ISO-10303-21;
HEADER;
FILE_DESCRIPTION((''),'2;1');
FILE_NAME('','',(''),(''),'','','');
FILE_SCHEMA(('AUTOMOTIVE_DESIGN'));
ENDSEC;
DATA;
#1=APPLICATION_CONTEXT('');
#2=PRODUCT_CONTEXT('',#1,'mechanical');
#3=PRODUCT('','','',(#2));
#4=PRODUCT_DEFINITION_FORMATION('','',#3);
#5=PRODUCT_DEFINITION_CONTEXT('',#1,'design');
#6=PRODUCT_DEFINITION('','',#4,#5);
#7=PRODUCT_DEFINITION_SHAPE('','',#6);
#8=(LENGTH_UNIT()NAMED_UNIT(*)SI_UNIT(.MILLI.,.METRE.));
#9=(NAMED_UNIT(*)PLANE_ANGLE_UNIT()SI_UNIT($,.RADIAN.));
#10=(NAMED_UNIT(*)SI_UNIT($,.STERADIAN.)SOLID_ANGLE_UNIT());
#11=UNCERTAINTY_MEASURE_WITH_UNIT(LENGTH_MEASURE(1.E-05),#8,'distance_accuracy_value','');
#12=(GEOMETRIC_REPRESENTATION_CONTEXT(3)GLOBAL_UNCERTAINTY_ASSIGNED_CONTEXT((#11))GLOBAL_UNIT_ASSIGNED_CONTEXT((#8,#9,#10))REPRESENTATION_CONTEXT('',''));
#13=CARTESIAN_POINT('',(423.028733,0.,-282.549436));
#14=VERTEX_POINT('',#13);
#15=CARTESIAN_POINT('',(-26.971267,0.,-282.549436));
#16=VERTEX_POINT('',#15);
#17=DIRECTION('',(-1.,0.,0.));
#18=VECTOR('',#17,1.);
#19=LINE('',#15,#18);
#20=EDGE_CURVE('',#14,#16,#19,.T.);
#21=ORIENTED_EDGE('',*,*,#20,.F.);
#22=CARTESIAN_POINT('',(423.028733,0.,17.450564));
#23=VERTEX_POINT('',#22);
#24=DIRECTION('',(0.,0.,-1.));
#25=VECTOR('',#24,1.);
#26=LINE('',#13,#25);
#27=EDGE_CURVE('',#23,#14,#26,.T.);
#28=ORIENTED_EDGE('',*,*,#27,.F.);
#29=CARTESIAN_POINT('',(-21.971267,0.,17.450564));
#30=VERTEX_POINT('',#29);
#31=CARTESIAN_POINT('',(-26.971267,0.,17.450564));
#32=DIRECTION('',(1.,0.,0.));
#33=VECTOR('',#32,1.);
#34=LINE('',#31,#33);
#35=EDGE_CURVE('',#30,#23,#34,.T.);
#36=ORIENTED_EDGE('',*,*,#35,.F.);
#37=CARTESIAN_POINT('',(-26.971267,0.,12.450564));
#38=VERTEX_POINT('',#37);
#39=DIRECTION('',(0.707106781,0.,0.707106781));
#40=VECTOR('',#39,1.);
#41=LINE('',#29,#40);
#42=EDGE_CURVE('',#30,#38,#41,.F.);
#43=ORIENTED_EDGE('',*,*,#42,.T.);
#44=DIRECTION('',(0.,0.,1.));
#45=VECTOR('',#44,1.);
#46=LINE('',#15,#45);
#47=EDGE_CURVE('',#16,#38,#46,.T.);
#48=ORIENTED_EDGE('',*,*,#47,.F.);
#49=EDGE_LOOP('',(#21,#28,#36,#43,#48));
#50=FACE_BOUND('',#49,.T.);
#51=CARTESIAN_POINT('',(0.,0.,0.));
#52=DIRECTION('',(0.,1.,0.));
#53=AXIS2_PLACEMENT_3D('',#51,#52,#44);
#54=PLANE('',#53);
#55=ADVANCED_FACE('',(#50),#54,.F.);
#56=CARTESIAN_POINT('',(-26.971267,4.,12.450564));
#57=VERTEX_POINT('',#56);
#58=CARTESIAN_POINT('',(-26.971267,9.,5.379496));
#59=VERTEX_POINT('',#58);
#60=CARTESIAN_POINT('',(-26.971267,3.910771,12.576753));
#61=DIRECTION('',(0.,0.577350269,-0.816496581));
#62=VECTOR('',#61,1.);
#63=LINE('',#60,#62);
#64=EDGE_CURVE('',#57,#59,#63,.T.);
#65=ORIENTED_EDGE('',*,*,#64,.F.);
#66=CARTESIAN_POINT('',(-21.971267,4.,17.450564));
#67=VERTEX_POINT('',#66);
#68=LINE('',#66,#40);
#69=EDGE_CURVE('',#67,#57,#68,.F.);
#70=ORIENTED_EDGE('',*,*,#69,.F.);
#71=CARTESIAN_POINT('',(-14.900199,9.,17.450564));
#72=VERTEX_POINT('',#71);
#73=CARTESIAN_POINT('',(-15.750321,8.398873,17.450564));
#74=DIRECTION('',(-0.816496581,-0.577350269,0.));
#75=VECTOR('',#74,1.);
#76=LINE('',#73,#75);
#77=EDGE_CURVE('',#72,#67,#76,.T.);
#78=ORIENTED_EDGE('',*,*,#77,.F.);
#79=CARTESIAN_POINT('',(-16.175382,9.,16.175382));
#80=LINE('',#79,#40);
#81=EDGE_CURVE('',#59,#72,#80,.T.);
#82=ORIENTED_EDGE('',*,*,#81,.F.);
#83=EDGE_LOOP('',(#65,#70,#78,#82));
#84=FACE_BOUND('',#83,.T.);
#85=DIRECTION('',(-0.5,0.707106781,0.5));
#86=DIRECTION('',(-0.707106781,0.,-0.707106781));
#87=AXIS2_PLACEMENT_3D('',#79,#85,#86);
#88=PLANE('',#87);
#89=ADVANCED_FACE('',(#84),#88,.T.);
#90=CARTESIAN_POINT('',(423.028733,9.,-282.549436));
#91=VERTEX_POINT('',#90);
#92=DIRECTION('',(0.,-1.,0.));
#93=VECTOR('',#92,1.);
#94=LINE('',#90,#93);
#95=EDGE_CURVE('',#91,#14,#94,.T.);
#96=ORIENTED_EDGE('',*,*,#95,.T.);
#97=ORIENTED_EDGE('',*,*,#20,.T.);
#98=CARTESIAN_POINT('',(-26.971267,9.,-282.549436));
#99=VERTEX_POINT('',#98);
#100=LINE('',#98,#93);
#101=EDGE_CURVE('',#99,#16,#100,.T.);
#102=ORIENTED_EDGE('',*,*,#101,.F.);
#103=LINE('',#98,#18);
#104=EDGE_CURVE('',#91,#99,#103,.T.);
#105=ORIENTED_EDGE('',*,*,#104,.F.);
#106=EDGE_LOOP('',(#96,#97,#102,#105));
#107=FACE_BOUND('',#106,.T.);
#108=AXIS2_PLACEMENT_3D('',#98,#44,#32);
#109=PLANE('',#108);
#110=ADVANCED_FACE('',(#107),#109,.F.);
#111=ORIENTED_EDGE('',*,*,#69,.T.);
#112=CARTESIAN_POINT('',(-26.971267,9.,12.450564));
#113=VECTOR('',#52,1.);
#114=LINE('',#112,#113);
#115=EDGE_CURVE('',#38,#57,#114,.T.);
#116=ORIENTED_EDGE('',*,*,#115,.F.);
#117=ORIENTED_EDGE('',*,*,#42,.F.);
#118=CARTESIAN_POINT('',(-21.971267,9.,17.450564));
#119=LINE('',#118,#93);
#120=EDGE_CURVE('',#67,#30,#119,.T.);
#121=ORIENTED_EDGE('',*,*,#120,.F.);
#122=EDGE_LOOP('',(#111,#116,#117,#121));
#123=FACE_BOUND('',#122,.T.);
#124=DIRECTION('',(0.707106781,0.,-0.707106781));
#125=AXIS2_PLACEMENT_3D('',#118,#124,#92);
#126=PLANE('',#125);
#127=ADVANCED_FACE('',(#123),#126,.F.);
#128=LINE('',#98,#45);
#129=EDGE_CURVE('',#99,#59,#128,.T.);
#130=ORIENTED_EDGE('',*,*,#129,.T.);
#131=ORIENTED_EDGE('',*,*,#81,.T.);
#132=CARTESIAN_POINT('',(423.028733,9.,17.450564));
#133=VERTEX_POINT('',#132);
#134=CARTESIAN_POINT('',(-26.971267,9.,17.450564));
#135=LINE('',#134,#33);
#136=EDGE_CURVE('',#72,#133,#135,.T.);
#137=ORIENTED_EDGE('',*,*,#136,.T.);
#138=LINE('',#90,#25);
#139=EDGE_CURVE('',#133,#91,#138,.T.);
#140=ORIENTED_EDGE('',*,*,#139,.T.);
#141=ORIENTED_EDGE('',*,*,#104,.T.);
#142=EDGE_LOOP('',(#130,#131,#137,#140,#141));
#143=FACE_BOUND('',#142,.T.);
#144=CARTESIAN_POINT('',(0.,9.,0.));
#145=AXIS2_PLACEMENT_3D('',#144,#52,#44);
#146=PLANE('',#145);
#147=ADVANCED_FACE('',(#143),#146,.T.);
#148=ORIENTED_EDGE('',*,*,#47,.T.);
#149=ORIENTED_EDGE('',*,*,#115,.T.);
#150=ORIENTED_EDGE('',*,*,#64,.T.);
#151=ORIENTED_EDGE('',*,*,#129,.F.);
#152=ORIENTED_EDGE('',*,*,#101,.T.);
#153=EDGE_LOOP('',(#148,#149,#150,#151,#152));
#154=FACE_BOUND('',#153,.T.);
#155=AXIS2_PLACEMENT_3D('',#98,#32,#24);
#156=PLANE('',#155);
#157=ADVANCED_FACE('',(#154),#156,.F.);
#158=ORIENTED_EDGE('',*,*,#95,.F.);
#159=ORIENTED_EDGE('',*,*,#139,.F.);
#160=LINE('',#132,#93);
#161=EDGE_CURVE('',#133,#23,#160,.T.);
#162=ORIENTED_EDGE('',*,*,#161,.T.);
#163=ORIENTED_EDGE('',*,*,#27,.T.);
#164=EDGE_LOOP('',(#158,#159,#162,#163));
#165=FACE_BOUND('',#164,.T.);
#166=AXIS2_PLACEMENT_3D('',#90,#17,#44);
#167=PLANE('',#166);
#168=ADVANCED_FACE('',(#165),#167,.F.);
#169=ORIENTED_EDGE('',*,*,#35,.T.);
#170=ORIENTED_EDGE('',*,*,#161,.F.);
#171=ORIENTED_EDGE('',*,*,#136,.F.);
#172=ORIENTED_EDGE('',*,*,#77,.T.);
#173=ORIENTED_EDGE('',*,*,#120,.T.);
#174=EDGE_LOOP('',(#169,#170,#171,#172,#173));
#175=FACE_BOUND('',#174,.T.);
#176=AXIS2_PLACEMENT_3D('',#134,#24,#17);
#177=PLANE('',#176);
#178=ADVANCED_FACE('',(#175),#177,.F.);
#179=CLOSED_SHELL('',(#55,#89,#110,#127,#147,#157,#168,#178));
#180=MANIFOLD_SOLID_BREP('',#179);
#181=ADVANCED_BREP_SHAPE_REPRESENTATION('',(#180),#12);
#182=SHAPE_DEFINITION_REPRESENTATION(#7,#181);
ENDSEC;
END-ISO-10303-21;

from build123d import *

# Parameters (mm, degrees)
SKETCH1_W           = 450
SKETCH1_H           = 300
BOSS_EXTRUDE1_DEPTH = 9
CHAMFER1_SIZE       = 5
CHAMFER2_SIZE       = 5


with BuildPart() as part:
    # Sketch1 → Boss-Extrude1 (new body)
    with BuildSketch(Plane(origin=(0, 0, 0), x_dir=(1, 0, 0), z_dir=(0, 1, 0))):
        with Locations((198.028733083, 132.54943609)):
            Rectangle(SKETCH1_W, SKETCH1_H)
    extrude(amount=BOSS_EXTRUDE1_DEPTH)

    # Chamfer1
    chamfer1_edges = [part.edges().sort_by_distance(p)[0] for p in [
        (-26.971266917, 4.5, 17.45056391),
    ]]
    chamfer(chamfer1_edges, length=CHAMFER1_SIZE)

    # Chamfer2
    chamfer2_edges = [part.edges().sort_by_distance(p)[0] for p in [
        (-24.471266917, 9, 14.95056391),
    ]]
    chamfer(chamfer2_edges, length=CHAMFER2_SIZE)


solid = part.part
